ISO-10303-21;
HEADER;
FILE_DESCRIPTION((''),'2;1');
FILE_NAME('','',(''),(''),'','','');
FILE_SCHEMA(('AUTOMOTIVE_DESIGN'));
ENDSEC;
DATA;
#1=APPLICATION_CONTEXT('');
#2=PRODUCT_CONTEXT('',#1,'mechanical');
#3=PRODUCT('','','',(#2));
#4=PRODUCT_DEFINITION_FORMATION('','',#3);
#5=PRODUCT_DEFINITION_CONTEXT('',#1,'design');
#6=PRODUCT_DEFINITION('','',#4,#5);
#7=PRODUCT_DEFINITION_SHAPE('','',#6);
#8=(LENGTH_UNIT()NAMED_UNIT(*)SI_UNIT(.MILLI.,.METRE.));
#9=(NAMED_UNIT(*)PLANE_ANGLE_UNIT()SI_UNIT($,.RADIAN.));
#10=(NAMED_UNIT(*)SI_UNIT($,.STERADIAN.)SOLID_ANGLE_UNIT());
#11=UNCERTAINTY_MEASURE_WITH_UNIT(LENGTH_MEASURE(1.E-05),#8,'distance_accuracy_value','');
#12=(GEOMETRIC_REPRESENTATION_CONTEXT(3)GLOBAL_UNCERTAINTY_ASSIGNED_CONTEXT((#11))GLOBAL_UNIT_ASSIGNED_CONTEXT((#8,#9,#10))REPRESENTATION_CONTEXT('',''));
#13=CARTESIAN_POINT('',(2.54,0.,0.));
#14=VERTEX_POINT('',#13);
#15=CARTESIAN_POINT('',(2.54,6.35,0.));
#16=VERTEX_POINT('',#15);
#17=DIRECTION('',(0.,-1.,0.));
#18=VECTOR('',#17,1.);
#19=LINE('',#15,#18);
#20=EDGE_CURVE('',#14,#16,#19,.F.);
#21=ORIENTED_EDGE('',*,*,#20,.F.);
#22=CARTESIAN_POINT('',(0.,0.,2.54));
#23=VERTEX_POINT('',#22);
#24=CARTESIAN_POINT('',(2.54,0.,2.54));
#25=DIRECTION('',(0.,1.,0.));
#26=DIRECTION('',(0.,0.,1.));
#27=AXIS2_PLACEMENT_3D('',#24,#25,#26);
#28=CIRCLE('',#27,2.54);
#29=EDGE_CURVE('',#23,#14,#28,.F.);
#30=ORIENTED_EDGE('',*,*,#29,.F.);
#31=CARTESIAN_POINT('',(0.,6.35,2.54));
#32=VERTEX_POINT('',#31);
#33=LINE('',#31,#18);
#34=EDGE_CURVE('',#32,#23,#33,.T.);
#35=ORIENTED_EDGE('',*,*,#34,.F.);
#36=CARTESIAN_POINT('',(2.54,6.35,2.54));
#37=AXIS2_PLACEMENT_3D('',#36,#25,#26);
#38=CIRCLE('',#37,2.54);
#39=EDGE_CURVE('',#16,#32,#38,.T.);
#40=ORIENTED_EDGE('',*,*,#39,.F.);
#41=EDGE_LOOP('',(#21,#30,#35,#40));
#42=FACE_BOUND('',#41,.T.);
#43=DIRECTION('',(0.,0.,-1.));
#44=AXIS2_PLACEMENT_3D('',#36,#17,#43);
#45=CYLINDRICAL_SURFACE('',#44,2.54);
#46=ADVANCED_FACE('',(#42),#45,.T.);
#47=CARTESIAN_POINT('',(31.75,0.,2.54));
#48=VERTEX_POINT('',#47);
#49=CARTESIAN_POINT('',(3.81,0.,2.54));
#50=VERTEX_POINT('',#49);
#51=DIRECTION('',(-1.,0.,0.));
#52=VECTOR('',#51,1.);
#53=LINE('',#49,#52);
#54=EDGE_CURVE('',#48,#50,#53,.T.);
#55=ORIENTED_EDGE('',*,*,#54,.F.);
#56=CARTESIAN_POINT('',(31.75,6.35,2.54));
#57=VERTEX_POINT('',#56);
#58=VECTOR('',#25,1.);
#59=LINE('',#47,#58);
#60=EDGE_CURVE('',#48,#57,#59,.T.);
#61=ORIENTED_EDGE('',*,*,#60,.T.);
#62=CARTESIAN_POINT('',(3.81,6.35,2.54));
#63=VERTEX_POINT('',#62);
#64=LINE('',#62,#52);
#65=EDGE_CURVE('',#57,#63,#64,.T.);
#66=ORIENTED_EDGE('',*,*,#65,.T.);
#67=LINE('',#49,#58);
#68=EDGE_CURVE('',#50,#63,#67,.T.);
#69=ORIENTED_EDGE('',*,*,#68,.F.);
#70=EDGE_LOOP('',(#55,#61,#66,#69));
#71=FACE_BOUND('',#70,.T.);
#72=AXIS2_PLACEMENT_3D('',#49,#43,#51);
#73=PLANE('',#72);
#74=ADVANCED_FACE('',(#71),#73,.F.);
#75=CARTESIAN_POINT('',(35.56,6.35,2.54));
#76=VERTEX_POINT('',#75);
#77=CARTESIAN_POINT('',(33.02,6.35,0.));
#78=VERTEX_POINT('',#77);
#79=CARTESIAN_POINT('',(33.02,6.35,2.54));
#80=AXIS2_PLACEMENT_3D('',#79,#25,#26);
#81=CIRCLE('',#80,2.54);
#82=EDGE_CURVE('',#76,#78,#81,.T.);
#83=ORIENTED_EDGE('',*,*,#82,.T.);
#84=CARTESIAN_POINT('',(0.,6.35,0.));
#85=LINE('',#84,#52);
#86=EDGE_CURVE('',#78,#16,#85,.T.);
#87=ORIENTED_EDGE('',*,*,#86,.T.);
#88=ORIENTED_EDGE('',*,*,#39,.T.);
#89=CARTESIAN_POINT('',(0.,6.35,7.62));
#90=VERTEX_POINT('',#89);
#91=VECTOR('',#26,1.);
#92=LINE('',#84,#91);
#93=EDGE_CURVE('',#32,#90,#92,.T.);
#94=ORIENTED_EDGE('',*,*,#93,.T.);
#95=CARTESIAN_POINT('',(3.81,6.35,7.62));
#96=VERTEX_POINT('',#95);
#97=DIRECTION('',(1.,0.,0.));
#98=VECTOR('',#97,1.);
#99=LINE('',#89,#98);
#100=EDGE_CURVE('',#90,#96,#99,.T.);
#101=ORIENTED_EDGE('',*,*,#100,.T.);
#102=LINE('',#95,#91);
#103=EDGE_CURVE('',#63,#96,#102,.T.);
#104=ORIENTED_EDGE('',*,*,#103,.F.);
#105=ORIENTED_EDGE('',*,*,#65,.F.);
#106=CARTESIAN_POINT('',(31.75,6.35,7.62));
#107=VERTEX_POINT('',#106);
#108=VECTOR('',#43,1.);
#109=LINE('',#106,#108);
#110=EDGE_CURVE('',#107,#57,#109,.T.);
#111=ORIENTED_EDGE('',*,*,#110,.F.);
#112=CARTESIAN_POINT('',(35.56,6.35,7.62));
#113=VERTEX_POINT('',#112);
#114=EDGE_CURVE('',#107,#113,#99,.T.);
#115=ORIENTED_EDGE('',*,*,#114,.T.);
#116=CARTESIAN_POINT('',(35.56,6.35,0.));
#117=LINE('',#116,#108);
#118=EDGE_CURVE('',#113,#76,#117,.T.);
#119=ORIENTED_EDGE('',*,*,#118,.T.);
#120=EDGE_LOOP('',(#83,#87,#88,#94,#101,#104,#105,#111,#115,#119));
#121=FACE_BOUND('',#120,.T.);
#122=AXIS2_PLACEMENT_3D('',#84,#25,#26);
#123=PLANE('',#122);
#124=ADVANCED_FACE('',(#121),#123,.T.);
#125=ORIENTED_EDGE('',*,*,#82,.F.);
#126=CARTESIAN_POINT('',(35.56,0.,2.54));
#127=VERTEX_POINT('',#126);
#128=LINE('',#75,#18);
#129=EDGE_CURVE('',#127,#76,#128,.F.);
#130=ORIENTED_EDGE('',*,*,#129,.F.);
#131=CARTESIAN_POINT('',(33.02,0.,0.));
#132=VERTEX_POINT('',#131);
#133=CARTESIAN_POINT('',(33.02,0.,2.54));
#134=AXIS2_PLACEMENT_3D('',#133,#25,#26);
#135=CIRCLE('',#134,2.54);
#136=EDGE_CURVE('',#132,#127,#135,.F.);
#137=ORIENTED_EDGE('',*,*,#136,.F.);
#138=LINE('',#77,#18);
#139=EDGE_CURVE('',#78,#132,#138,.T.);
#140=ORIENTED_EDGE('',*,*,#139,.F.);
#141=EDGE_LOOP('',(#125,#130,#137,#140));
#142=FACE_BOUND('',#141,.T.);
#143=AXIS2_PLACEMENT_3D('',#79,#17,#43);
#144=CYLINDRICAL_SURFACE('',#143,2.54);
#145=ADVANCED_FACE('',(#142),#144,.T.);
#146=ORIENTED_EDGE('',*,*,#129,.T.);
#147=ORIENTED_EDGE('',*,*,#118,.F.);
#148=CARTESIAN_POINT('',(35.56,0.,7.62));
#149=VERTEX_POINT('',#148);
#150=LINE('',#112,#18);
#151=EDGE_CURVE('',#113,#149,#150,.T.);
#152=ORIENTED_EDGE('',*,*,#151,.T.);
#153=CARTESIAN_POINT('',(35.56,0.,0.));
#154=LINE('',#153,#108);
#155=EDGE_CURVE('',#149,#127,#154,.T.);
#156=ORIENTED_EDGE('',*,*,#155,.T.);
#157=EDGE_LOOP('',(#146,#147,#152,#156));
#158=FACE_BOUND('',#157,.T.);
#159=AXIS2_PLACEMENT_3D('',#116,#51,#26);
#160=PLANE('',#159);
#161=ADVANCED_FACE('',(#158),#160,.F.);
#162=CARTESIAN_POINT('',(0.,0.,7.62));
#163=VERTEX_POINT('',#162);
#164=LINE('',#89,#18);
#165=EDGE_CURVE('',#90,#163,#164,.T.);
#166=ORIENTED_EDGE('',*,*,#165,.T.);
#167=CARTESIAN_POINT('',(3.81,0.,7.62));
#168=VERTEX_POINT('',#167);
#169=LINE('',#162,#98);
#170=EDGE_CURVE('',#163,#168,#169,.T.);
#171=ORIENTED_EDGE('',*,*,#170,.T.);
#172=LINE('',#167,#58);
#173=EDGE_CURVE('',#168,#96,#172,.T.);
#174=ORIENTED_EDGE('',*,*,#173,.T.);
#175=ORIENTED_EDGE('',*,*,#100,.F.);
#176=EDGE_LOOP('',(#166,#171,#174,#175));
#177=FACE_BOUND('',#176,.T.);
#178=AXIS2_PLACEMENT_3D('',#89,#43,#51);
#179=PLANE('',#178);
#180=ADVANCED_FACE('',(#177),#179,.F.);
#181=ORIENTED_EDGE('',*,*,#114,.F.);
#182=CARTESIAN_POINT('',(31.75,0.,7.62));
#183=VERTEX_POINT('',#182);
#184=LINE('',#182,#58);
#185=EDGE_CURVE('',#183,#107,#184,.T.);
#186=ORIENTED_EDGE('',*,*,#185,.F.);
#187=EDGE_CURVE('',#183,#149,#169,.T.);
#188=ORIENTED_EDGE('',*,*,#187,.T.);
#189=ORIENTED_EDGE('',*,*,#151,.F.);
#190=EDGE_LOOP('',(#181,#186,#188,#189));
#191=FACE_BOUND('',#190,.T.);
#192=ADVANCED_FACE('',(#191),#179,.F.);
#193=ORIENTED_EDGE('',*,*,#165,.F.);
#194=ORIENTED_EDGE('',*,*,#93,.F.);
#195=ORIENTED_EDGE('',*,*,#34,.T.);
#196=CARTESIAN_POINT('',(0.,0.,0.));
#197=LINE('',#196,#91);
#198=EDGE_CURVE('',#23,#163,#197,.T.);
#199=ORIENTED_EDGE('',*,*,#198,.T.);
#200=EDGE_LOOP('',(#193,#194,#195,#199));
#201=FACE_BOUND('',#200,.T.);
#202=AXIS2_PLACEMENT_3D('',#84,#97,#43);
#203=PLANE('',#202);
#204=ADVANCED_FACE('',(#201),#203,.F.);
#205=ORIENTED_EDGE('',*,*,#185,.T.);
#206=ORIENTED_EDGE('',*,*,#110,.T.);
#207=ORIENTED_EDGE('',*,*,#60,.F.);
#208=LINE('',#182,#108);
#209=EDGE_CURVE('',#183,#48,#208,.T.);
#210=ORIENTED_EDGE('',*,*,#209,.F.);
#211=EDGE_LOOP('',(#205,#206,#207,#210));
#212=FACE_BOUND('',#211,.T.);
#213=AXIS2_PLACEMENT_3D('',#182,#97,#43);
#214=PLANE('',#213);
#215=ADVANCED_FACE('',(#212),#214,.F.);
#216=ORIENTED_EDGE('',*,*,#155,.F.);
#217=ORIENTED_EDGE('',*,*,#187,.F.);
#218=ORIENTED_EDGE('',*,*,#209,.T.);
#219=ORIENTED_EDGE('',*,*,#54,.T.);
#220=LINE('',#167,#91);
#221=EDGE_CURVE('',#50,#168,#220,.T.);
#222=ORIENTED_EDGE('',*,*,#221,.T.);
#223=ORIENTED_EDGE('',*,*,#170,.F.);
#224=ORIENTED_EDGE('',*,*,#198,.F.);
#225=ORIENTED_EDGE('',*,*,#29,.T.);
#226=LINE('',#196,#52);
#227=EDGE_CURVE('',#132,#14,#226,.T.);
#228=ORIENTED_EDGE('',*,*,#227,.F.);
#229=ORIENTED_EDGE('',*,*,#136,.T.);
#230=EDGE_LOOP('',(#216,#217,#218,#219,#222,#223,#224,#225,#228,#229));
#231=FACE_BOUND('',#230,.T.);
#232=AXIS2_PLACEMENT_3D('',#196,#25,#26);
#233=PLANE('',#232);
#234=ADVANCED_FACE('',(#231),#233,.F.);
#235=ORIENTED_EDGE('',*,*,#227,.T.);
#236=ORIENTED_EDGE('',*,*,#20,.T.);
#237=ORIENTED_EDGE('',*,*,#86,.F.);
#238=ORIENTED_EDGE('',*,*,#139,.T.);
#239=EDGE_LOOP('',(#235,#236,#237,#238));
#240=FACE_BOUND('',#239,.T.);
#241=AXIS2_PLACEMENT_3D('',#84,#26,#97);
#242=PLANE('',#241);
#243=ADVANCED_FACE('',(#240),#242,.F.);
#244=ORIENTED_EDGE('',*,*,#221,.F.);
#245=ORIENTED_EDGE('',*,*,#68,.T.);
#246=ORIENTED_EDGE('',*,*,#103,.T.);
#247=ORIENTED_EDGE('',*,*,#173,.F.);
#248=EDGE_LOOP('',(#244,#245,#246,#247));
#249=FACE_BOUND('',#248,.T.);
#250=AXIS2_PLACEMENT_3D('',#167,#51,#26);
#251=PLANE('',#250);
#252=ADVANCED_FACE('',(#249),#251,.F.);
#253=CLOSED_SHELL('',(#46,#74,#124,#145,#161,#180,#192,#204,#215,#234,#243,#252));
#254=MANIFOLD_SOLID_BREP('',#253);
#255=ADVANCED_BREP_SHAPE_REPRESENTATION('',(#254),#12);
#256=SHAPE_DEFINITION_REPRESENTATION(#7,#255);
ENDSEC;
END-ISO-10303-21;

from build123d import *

# Parameters (mm, degrees)
SKETCH1_W           = 35.56
SKETCH1_H           = 7.62
BOSS_EXTRUDE1_DEPTH = 6.35
SKETCH2_W           = 27.94
SKETCH2_H           = 5.08
CUT_EXTRUDE1_DEPTH  = 37.917482309
FILLET1_R           = 2.54


with BuildPart() as part:
    # Sketch1 → Boss-Extrude1 (new body)
    with BuildSketch(Plane(origin=(0, 0, 0), x_dir=(1, 0, 0), z_dir=(0, 1, 0))):
        with Locations((17.78, -3.81)):
            Rectangle(SKETCH1_W, SKETCH1_H)
    extrude(amount=BOSS_EXTRUDE1_DEPTH)

    # Sketch2 → Cut-Extrude1 (cut, through all)
    with BuildSketch(Plane(origin=(0, 6.35, 0), x_dir=(1, 0, 0), z_dir=(0, 1, 0))):
        with Locations((17.78, -5.08)):
            Rectangle(SKETCH2_W, SKETCH2_H)
    extrude(amount=-CUT_EXTRUDE1_DEPTH, mode=Mode.SUBTRACT)

    # Fillet1
    fillet1_edges = [part.edges().sort_by_distance(p)[0] for p in [
        (0, 3.175, 0),
        (35.56, 3.175, 0),
    ]]
    fillet(fillet1_edges, radius=FILLET1_R)


solid = part.part
